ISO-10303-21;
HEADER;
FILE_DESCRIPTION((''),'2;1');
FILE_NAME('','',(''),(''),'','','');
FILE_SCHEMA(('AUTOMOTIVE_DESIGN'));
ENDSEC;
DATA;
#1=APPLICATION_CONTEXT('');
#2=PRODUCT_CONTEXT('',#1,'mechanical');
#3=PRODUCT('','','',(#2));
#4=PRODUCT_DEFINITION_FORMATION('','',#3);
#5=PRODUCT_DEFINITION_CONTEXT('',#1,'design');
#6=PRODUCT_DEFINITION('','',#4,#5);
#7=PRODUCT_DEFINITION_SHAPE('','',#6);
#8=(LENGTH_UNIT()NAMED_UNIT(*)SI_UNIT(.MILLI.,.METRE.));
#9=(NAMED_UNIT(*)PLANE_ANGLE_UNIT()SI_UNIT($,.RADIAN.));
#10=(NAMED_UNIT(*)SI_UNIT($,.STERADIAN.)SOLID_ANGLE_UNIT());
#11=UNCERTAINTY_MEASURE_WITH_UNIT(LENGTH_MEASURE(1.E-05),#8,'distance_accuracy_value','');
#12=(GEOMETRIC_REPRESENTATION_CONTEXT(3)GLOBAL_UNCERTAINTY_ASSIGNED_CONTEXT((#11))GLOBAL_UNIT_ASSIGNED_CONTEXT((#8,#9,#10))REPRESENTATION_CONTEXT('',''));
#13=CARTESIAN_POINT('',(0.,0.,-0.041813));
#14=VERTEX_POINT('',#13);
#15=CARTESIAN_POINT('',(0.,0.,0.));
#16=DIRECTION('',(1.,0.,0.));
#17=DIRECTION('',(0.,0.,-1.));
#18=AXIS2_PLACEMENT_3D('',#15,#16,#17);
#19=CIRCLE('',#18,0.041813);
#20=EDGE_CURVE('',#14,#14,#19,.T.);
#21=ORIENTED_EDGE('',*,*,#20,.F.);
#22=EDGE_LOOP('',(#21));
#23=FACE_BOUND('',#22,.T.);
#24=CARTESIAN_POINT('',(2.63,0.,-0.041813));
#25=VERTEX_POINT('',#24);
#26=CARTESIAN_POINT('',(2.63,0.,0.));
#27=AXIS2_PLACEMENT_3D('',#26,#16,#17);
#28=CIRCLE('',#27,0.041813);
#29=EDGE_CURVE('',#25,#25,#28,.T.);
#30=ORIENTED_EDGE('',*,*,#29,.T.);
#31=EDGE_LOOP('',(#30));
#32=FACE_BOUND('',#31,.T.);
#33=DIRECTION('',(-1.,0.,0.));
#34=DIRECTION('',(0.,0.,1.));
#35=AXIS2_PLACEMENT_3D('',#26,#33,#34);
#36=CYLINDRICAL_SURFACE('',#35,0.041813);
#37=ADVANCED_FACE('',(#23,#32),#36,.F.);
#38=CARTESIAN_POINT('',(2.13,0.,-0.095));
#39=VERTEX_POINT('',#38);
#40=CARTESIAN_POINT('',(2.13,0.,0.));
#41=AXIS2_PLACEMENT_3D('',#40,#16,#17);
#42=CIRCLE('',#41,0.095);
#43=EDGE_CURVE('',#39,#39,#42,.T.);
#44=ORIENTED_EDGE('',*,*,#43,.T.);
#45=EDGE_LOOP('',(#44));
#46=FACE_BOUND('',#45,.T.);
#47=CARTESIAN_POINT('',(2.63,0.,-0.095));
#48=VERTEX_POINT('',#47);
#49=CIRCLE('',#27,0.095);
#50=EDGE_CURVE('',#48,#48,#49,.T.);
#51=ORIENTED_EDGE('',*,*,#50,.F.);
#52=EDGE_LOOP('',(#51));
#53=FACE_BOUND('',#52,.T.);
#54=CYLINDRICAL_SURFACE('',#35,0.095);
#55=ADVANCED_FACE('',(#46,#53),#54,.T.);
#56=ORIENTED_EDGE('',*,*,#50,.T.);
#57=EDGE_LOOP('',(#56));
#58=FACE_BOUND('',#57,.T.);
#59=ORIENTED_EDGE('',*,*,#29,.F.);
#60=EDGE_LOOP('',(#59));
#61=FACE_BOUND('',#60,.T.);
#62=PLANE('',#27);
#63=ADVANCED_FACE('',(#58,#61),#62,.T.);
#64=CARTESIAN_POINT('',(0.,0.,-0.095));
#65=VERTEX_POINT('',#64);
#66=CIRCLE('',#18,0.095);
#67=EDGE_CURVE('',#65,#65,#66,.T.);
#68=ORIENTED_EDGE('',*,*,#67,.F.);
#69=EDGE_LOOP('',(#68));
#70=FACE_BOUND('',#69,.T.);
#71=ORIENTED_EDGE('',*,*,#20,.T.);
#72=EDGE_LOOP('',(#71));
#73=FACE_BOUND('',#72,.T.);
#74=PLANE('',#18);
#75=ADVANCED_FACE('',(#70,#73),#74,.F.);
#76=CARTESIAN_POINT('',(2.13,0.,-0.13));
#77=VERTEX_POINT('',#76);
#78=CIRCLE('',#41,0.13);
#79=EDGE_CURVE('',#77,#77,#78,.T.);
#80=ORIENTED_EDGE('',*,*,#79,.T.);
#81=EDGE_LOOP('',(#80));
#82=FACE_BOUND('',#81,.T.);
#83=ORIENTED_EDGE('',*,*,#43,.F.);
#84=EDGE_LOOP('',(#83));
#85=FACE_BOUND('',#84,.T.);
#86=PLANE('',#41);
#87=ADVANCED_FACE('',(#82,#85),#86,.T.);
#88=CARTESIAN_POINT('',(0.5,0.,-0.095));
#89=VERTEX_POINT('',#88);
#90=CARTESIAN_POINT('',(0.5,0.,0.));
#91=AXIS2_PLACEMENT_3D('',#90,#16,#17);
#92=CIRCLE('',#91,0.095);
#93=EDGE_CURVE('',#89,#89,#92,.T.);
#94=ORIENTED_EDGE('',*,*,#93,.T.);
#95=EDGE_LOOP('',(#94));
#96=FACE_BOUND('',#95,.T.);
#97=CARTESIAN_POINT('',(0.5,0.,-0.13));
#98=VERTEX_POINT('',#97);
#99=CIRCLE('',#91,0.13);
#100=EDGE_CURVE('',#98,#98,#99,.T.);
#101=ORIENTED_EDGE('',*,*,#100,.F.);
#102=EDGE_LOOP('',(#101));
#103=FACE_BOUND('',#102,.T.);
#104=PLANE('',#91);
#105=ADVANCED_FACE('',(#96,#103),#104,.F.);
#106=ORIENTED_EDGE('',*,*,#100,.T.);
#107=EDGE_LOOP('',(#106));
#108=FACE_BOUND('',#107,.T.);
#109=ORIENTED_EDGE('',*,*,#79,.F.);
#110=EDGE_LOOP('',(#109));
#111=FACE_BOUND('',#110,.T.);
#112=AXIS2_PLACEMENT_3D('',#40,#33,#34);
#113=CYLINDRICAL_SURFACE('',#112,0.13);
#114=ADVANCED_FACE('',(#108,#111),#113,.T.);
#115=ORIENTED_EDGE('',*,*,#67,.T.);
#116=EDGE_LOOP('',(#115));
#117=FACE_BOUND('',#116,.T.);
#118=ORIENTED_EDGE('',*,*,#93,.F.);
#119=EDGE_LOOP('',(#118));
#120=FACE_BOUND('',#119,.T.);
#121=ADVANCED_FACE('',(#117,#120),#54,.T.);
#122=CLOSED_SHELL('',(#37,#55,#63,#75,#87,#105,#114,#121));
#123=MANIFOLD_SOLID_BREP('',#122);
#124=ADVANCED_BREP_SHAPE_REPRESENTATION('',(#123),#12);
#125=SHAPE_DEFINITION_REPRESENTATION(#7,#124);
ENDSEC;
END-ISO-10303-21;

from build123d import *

# Parameters (mm, degrees)
SKETCH2_R           = 0.095
SKETCH2_R_2         = 0.041812836
BOSS_EXTRUDE1_DEPTH = 2.63
BOSS_EXTRUDE2_START = 0.5
SKETCH2_3_R         = 0.13
SKETCH2_3_R_2       = 0.095
BOSS_EXTRUDE2_DEPTH = 1.63


with BuildPart() as part:
    # Sketch2 → Boss-Extrude1 (new body)
    with BuildSketch(Plane(origin=(0, 0, 0), x_dir=(0, 0, -1), z_dir=(1, 0, 0))):
        Circle(SKETCH2_R)
        Circle(SKETCH2_R_2, mode=Mode.SUBTRACT)
    extrude(amount=BOSS_EXTRUDE1_DEPTH)

    # Sketch2<3> → Boss-Extrude2 (add)
    with BuildSketch(Plane(origin=(0, 0, 0), x_dir=(0, 0, -1), z_dir=(1, 0, 0)).offset(BOSS_EXTRUDE2_START)):
        Circle(SKETCH2_3_R)
        Circle(SKETCH2_3_R_2, mode=Mode.SUBTRACT)
    extrude(amount=BOSS_EXTRUDE2_DEPTH)


solid = part.part
